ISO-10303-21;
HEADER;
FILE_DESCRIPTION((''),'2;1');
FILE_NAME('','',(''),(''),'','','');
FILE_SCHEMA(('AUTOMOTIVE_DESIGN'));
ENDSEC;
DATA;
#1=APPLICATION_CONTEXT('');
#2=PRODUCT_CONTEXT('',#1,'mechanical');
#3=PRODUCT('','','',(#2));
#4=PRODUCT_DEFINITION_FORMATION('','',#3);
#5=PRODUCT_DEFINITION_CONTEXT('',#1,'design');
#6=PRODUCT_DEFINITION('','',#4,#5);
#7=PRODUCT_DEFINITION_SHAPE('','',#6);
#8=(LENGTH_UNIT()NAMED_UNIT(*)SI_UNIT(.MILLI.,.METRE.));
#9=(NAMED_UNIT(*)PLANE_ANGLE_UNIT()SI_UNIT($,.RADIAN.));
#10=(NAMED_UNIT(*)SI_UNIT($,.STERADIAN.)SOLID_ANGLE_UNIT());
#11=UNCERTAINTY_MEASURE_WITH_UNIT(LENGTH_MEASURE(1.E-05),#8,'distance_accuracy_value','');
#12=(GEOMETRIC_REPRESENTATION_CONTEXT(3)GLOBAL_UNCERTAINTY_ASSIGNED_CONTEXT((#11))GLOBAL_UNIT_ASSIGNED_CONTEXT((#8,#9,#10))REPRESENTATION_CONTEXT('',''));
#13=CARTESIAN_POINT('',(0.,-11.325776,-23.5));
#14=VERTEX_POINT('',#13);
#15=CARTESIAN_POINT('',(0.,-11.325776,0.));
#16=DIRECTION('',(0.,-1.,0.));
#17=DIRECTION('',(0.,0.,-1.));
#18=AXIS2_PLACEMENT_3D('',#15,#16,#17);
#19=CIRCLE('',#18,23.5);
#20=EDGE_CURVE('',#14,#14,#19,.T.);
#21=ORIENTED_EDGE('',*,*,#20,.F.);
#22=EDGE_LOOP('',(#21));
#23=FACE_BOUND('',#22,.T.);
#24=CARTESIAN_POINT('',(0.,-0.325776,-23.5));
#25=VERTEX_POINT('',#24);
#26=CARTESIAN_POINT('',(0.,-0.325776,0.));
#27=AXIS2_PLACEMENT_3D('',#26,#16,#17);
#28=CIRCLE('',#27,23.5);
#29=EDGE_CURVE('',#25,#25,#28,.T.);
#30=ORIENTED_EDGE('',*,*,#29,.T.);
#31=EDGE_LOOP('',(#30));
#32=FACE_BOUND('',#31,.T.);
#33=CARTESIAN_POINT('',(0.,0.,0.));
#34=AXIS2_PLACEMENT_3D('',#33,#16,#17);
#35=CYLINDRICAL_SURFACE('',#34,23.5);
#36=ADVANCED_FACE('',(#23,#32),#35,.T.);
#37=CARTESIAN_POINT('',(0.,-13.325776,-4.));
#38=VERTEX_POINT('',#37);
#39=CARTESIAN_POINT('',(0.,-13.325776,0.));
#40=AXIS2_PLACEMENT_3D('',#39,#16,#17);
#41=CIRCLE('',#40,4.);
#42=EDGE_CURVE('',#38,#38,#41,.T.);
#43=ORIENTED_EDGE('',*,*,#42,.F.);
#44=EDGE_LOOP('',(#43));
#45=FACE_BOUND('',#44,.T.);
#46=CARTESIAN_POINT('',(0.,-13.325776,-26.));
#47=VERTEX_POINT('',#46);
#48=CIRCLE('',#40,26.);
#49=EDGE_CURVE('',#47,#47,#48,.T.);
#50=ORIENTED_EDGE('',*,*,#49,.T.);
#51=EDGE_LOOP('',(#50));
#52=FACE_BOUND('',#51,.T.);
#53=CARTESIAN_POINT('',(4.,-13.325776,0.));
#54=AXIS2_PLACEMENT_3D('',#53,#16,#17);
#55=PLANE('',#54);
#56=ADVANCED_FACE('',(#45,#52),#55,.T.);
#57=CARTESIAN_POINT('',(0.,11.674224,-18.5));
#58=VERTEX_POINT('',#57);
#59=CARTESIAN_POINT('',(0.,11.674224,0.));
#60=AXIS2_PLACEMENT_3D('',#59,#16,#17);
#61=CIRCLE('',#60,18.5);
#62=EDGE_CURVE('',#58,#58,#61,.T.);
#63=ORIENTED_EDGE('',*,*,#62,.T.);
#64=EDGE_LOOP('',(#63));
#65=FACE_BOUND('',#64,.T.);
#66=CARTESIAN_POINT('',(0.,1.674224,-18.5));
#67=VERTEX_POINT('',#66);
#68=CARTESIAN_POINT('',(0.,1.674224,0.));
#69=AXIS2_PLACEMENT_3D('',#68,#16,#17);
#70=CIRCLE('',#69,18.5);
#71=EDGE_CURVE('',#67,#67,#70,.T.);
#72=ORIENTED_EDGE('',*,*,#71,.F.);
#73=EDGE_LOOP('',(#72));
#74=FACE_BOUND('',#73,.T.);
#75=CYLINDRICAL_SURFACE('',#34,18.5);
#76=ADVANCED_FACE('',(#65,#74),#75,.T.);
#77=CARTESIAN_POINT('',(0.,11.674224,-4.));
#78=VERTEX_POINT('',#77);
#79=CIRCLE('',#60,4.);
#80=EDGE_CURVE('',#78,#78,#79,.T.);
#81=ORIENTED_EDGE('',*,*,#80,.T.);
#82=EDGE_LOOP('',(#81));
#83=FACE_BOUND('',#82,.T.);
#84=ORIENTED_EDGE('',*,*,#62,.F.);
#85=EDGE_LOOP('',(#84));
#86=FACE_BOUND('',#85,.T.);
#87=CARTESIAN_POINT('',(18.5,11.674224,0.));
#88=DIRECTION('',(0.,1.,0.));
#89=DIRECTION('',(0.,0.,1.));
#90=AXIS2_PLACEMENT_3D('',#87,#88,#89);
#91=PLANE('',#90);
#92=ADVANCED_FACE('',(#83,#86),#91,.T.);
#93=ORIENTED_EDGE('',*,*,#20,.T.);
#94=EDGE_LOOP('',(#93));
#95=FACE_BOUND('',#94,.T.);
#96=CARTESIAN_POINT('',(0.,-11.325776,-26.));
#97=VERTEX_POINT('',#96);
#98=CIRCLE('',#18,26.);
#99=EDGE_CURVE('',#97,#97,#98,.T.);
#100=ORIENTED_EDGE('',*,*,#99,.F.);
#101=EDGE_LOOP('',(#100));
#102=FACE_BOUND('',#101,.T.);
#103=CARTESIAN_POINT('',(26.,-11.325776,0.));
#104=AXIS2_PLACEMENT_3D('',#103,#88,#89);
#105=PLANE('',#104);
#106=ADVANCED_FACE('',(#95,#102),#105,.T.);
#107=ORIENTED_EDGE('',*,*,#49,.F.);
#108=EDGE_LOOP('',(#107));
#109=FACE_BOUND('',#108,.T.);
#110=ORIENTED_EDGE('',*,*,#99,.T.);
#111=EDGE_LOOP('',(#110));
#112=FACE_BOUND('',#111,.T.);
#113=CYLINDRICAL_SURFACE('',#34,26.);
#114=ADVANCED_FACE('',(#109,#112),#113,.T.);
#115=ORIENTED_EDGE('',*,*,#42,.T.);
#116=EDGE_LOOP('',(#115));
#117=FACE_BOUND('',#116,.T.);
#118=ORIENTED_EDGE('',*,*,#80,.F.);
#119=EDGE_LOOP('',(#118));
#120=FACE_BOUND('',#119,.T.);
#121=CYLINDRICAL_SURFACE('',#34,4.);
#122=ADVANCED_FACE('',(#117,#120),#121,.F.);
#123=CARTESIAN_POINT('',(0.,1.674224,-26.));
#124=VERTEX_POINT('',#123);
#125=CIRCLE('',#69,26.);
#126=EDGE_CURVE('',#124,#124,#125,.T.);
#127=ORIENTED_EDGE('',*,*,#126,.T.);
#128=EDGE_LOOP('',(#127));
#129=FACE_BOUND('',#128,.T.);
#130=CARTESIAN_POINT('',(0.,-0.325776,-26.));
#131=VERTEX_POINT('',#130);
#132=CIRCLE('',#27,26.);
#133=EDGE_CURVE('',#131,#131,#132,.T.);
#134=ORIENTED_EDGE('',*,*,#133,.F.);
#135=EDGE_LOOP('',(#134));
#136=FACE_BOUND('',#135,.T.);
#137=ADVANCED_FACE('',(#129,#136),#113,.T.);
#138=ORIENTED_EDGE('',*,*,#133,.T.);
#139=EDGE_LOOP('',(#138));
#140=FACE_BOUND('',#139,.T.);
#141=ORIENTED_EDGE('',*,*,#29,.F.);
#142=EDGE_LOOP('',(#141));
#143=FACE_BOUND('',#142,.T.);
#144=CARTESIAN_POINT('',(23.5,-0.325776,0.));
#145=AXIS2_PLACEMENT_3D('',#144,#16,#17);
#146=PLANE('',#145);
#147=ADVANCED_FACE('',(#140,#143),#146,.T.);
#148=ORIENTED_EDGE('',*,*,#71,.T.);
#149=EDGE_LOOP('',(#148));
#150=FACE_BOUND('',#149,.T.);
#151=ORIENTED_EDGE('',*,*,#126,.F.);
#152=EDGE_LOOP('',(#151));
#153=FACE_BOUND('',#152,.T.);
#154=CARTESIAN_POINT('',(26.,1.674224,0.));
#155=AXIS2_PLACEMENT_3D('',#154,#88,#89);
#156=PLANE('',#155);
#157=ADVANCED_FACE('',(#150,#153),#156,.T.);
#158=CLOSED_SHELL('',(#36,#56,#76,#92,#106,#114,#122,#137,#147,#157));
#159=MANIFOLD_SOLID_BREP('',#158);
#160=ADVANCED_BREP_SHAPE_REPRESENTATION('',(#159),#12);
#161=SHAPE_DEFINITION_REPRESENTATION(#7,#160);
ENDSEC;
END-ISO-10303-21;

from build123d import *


with BuildPart() as part:
    # 草图2 → 旋转1 (revolve)
    with BuildSketch(Plane.XY, mode=Mode.PRIVATE) as revolve_1_sk:
        Polygon((4, 11.674224209), (4, -13.325775791), (26, -13.325775791), (26, -11.325775791), (23.5, -11.325775791), (23.5, -0.325775791), (26, -0.325775791), (26, 1.674224209), (18.5, 1.674224209), (18.5, 11.674224209), align=None)
    revolve(revolve_1_sk.sketch.rotate(Axis((0, 0, 0), (0, 1, 0)), 90), axis=Axis((0, 0, 0), (0, 1, 0)))


solid = part.part
